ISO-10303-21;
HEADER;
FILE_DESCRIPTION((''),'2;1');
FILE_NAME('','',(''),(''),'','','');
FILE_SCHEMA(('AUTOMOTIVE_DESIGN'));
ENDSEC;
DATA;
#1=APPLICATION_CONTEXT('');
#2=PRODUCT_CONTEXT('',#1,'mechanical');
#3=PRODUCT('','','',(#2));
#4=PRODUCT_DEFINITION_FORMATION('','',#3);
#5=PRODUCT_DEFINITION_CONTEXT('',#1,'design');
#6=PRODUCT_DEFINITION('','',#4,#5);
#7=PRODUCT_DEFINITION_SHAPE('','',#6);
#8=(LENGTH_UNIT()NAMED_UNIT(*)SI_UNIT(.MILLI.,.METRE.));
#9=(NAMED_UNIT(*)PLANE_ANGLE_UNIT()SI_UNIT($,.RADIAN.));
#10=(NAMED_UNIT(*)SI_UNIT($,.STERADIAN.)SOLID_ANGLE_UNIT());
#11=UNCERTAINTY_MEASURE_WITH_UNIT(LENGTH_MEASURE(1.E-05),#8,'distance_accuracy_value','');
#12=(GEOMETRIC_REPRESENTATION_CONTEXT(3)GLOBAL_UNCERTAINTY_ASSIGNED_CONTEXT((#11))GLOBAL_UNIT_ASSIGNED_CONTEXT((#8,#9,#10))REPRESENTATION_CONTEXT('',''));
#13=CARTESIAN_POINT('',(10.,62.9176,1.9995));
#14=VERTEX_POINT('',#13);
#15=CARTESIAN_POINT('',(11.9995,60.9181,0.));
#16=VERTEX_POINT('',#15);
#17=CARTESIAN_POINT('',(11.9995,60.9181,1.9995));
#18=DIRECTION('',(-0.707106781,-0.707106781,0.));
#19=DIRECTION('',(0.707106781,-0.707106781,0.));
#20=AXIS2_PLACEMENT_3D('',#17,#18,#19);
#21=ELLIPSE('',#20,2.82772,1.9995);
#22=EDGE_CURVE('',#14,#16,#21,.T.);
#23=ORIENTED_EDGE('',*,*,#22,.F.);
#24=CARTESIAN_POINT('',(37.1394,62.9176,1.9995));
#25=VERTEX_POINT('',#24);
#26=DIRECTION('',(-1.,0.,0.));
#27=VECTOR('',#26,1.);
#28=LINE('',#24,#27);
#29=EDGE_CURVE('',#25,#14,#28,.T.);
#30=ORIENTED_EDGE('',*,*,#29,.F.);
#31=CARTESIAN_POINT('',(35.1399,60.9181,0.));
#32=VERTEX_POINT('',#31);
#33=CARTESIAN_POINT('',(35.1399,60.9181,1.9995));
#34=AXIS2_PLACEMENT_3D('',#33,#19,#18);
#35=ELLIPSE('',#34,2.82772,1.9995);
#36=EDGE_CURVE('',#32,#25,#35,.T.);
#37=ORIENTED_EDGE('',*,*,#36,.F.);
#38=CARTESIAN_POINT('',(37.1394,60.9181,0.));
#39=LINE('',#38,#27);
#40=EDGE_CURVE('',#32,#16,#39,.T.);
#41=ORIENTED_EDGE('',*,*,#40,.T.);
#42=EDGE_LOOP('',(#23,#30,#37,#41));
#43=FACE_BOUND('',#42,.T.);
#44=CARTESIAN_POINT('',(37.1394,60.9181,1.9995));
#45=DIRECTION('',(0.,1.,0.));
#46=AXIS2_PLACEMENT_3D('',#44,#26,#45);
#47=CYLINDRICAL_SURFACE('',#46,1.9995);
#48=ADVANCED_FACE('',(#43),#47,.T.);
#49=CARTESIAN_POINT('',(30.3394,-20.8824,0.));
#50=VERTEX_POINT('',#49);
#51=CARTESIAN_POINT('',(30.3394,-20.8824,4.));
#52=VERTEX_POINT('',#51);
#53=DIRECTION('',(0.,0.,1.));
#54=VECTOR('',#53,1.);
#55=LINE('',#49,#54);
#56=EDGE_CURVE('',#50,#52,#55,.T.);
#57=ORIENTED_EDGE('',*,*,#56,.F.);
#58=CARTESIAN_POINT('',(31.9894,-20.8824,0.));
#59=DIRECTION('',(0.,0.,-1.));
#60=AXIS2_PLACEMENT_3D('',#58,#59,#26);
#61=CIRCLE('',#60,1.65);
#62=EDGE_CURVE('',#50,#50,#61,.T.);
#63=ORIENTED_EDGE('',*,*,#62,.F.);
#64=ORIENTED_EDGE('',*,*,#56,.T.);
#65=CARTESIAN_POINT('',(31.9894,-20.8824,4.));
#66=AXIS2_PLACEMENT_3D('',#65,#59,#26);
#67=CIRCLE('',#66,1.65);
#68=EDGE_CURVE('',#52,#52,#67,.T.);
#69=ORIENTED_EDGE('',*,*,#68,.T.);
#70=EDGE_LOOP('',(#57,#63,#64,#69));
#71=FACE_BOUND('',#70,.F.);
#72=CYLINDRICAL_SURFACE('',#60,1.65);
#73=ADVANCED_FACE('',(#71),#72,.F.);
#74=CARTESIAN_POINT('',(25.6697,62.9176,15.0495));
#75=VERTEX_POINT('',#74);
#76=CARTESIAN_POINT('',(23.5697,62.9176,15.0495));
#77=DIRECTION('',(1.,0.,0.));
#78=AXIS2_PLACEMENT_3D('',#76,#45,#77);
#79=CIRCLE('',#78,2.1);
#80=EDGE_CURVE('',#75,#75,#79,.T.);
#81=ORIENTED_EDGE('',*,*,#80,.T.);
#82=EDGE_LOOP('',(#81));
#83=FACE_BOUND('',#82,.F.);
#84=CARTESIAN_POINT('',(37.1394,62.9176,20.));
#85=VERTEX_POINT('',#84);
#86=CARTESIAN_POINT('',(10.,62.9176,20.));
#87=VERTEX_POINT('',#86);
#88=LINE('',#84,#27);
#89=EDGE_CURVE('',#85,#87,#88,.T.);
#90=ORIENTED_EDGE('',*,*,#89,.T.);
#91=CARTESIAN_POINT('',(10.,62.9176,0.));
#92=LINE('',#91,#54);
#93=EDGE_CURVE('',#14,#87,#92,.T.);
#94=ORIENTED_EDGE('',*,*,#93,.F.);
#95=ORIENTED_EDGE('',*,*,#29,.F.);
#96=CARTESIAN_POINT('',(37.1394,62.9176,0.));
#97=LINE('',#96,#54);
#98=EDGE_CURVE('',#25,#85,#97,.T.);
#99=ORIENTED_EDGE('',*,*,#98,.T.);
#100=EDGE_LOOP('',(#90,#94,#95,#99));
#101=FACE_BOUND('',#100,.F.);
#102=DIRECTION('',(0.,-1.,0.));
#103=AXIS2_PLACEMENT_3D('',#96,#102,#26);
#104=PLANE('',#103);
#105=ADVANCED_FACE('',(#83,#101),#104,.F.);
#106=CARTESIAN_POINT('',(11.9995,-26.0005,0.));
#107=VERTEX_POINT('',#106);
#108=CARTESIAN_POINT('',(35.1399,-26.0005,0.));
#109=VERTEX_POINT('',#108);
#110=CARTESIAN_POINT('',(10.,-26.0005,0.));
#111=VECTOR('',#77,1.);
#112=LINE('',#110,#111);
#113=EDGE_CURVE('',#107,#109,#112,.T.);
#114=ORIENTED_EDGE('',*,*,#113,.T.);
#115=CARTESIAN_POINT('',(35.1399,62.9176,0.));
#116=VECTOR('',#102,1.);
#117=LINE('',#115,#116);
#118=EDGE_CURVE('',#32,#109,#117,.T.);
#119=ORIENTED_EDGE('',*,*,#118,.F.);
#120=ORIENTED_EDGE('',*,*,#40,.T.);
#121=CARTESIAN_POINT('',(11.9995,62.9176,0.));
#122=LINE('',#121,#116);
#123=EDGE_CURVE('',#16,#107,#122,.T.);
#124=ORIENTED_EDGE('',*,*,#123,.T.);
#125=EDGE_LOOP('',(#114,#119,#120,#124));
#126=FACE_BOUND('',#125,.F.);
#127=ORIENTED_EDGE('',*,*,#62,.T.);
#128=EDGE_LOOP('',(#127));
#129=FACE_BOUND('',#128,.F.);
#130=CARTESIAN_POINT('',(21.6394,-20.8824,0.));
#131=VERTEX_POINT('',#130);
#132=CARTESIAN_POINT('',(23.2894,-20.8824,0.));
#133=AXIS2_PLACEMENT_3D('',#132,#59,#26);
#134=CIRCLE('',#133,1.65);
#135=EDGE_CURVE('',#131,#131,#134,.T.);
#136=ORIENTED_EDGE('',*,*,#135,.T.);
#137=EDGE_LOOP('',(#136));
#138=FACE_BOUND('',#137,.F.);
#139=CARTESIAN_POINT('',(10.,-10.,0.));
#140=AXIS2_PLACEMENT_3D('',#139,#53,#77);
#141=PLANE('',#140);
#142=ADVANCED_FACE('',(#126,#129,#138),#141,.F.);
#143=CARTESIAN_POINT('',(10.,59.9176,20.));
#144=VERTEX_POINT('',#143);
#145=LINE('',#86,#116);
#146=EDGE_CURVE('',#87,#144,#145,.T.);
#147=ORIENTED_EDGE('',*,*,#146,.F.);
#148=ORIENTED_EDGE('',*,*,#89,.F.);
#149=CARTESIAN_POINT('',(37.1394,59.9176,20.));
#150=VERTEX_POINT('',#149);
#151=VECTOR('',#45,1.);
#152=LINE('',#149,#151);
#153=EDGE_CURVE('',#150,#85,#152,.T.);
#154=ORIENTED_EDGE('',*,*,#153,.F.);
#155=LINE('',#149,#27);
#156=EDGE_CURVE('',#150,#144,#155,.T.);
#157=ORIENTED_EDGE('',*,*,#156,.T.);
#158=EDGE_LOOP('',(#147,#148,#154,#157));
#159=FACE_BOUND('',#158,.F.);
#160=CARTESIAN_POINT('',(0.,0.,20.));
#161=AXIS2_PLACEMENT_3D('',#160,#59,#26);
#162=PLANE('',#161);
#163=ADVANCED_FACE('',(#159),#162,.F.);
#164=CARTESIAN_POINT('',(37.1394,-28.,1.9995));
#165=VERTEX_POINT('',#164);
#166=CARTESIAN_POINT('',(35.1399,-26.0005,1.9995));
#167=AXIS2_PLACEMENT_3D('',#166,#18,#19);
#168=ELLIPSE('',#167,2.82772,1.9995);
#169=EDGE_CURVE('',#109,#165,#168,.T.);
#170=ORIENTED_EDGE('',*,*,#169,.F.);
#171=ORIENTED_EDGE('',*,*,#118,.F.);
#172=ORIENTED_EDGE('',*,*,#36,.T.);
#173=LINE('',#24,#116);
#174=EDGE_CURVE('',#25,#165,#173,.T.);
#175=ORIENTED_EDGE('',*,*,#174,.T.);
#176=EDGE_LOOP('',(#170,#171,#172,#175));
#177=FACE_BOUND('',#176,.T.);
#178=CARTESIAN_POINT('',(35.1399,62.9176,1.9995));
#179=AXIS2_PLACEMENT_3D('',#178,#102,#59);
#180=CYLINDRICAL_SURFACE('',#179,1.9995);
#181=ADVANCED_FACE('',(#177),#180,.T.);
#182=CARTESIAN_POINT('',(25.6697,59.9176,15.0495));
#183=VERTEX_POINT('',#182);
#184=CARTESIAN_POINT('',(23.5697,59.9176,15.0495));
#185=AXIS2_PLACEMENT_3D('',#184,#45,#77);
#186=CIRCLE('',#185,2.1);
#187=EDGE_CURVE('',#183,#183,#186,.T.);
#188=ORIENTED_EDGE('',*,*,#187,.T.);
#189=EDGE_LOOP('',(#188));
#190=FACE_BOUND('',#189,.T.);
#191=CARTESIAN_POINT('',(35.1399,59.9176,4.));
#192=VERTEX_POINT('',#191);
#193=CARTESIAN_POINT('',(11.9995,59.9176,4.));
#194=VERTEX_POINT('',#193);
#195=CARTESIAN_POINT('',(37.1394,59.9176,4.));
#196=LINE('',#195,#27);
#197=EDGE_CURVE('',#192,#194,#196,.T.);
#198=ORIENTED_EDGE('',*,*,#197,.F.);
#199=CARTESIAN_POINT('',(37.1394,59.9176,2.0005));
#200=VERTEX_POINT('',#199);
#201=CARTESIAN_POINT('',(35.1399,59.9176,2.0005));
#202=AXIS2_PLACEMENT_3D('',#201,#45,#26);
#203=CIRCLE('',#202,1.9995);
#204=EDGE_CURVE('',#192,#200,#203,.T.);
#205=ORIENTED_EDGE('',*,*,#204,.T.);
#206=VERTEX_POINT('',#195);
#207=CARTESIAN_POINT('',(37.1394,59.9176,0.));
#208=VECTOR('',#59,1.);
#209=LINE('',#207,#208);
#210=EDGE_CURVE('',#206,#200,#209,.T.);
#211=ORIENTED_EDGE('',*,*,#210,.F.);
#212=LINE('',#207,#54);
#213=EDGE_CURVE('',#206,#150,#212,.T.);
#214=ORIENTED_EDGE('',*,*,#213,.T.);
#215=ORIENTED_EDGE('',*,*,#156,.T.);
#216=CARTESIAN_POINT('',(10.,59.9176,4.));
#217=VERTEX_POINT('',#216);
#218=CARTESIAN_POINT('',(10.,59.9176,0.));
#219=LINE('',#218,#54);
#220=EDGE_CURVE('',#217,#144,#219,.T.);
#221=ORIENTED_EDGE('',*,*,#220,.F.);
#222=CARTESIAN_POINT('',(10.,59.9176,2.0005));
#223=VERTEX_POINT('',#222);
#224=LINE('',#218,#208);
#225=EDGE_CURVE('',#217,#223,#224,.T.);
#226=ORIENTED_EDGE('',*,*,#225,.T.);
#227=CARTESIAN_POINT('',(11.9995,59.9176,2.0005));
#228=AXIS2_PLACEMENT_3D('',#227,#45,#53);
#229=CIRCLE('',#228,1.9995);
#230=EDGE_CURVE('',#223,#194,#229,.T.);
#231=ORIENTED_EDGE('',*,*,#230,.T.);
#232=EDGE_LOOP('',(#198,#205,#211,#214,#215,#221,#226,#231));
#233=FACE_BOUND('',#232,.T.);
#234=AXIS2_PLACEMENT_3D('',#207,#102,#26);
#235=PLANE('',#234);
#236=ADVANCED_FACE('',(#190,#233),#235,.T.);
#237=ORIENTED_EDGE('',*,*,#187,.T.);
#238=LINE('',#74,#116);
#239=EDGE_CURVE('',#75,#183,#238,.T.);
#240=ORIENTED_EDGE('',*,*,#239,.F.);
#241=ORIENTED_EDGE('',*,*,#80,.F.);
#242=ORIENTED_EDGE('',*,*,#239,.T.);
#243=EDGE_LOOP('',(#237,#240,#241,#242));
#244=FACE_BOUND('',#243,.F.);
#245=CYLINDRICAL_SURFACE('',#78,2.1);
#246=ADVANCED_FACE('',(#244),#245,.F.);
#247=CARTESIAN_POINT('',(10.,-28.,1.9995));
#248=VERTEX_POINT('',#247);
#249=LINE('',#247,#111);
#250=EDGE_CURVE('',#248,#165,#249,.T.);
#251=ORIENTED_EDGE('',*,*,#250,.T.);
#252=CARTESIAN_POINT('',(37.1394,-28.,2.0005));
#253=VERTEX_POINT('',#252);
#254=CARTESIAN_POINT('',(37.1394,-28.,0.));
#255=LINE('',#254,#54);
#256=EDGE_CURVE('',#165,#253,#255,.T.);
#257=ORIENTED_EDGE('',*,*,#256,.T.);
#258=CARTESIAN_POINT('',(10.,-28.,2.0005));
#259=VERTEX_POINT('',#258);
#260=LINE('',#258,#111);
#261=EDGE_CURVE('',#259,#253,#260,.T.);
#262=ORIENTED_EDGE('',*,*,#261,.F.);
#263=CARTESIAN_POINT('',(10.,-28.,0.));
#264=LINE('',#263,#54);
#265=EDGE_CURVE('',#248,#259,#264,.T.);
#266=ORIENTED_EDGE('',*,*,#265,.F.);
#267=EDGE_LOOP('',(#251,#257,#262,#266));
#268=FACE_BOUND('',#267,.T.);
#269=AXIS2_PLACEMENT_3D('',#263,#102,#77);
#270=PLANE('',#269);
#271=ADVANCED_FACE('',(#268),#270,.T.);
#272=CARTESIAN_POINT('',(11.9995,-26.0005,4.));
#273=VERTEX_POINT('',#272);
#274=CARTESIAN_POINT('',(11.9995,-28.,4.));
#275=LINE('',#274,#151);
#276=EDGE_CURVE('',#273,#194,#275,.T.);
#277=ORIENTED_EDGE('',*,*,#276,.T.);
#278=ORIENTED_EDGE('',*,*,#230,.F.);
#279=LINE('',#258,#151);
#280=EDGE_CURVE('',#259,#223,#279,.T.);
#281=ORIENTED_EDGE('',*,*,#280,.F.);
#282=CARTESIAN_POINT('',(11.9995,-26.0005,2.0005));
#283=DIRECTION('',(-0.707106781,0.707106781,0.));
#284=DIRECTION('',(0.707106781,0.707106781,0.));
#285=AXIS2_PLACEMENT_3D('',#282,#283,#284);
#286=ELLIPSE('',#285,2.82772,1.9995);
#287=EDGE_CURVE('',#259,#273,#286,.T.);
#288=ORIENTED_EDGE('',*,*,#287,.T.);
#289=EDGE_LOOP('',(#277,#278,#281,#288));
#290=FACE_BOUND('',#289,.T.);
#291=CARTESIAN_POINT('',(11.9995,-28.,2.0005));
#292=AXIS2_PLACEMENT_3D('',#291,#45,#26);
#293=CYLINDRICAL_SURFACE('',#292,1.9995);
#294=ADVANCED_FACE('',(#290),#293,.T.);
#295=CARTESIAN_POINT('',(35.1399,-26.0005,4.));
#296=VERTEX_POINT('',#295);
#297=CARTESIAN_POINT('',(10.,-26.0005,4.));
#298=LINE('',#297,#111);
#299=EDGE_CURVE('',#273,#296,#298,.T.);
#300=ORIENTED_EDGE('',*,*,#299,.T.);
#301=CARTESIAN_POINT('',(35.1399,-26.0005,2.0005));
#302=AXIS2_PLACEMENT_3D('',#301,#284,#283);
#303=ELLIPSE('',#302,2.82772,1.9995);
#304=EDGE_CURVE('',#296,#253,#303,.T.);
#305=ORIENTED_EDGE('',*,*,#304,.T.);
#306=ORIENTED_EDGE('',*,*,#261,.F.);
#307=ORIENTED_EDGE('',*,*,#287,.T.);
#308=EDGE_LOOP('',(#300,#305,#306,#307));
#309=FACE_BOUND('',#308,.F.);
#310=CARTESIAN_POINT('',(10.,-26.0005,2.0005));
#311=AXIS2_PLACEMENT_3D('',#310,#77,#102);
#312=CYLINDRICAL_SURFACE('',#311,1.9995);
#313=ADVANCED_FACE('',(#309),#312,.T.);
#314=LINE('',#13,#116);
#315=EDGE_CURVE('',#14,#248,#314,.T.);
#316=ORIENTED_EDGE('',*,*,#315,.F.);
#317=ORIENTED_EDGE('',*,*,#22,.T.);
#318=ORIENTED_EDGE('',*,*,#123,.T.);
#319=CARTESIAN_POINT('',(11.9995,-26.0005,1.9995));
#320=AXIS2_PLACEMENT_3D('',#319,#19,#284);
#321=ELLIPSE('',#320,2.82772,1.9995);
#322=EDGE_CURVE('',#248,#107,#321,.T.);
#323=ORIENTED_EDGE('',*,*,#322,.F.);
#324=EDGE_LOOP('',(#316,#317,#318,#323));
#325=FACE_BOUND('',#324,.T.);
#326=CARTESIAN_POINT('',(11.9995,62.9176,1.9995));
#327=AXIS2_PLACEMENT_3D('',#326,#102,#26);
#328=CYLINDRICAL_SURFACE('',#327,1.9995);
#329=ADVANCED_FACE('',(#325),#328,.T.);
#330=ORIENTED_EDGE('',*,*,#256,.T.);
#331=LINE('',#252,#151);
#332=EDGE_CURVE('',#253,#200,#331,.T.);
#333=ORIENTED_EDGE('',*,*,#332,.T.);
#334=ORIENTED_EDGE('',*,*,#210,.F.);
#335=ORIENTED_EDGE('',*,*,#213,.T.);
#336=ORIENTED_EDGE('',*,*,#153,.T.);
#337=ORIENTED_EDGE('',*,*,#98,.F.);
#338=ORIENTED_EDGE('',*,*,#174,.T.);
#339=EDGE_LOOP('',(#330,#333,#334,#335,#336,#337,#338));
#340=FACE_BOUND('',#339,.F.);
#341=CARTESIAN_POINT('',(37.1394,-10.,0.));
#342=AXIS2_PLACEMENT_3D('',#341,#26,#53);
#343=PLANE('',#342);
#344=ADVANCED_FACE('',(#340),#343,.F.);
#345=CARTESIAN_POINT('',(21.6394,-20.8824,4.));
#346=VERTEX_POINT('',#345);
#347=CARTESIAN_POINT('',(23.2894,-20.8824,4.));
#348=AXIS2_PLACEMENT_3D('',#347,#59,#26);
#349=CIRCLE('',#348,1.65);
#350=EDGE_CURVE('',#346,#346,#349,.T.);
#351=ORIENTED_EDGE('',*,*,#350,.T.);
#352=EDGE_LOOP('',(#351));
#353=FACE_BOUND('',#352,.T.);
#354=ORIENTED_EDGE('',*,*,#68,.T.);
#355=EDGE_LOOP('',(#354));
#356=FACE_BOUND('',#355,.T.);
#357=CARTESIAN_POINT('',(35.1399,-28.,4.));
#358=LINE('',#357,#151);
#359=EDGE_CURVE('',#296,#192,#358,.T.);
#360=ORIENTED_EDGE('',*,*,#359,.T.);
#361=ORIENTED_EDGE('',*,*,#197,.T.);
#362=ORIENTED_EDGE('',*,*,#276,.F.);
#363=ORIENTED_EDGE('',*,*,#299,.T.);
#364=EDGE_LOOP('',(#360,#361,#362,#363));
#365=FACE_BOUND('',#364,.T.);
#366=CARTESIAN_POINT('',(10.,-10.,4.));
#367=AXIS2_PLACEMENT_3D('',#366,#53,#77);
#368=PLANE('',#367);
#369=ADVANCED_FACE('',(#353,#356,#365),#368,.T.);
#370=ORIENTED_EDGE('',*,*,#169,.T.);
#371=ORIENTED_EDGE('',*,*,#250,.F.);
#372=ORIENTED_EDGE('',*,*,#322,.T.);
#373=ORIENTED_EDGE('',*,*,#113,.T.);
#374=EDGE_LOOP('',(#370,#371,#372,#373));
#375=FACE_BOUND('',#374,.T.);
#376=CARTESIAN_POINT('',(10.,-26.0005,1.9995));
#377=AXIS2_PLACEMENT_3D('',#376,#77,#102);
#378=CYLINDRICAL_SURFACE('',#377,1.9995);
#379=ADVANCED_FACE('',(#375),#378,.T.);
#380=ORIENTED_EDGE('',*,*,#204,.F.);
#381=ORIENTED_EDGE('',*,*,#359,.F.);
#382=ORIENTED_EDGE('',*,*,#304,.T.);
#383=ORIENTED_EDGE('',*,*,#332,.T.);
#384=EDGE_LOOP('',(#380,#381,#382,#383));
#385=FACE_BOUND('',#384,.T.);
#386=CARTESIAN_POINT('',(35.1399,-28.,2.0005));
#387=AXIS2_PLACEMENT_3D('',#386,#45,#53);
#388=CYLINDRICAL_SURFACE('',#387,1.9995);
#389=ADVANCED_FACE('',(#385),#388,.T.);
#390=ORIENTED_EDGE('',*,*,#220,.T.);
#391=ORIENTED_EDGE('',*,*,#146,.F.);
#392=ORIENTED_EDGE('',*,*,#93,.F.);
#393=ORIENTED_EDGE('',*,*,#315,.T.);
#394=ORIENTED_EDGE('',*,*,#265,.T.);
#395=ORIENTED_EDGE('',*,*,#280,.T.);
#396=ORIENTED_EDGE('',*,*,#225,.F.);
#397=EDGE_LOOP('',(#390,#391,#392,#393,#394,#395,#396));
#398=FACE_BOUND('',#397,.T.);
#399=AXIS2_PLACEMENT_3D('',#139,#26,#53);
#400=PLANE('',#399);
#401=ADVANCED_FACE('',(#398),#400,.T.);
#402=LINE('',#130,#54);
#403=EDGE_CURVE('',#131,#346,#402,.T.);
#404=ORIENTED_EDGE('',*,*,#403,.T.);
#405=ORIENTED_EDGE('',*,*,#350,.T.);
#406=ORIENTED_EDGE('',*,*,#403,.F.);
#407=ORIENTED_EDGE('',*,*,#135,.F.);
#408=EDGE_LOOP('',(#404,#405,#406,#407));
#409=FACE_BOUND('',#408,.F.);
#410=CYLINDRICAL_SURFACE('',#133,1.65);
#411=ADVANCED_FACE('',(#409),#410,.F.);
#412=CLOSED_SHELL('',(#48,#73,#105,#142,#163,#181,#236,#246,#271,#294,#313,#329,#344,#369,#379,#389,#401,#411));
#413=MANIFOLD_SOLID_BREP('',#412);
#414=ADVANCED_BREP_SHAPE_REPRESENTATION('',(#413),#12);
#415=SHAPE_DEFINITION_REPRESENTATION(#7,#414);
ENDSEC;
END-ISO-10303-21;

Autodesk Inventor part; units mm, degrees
ref_plane "YZ Plane" through (0, 0, 0) normal (1, 0, 0) x (0, 1, 0)
ref_plane "XZ Plane" through (0, 0, 0) normal (0, 1, 0) x (-1, 0, 0)
ref_plane "XY Plane" through (0, 0, 0) normal (0, 0, 1) x (1, 0, 0)
sketch "Skizze1" plane through (0, 0, 0) normal (0, 0, 1) x (1, 0, 0)
  line L0 (10, 15) -> (45.7133, 15) construction
  line L1 (10, 15) -> (10, -10) construction
  line L2 (37.1394, -10) -> (10, -10) construction
  line L3 (37.1394, -10) -> (37.1394, 14.1) construction
  line L4 (37.1394, 14.1) -> (45.7133, 14.1) construction
  line L5 (45.7133, 14.1) -> (45.7133, 15) construction
  line L6 (10, -10) -> (37.1394, -10)
  line L7 (37.1394, -10) -> (37.1394, 59.9176)
  line L8 (37.1394, 59.9176) -> (10, 59.9176)
  line L9 (10, 59.9176) -> (10, -10)
  point P0 (0, 0)
extrude "Extrusion1" add sketch "Skizze1" along normal blind 4
sketch "Skizze2" plane through (0, 0, 0) normal (0, 0, -1) x (-1, 0, 0)
  line L0 (-37.1394, 59.9176) -> (-10, 59.9176) projected
  line L1 (-10, 59.9176) -> (-37.1394, 59.9176)
  line L2 (-37.1394, 59.9176) -> (-37.1394, 62.9176)
  line L3 (-37.1394, 62.9176) -> (-10, 62.9176)
  line L4 (-10, 62.9176) -> (-10, 59.9176)
  point P0 (0, 0)
  dimension "d2" = 3
extrude "Extrusion2" add sketch "Skizze2" against normal blind 20
sketch "Skizze4" plane through (10, 62.9176, 0) normal (0, 1, 0) x (1, 0, 0)
  line L0 (27.1394, -4) -> (27.1394, -73.6709) construction
  line L1 (-71.0464, -73.5081) -> (53.1741, -73.5081) construction
  line L2 (53.1741, -72.4315) -> (53.1741, -73.5081) construction
  arc A0 (58.1741, -67.4315) -> (53.1741, -72.4315) centre (58.1741, -72.4315) ccw construction
  line L3 (62.2394, -67.4315) -> (58.1741, -67.4315) construction
  line L4 (62.2394, -59.1955) -> (62.2394, -67.4315) construction
  arc A1 (65.5394, -59.1955) -> (62.2394, -59.1955) centre (63.8894, -59.1955) ccw construction
  line L5 (65.5394, -67.4315) -> (65.5394, -59.1955) construction
  line L6 (81.2394, -67.4315) -> (65.5394, -67.4315) construction
  arc A2 (76.4341, -48.82) -> (81.2394, -67.4315) centre (125.2788, -46.1349) ccw construction
  arc A3 (76.4267, -48.4999) -> (76.4341, -48.82) centre (81.4265, -48.5455) ccw construction
  arc A4 (76.4267, -48.4999) -> (35.4184, -9) centre (29.7163, -55.9569) ccw construction
  line L7 (35.4184, -9) -> (-5, -9) construction
  line L8 (-5, -9) -> (-5, 9.9226) construction
  line L9 (-5, 9.9226) -> (-10, 9.9226) construction
  line L10 (-10, 9.9226) -> (-10, 9.9096) construction
  line L11 (-10, 9.9096) -> (-37.7867, 9.9096) construction
  arc A5 (-37.7867, 9.9096) -> (-54.9732, -24.6463) centre (-14.5965, -23.176) ccw construction
  arc A6 (-54.9732, -24.6463) -> (-71.0464, -73.5081) centre (23.4557, -77.5201) ccw construction
  arc A7 (-40.4634, -62.3724) -> (-28.4634, -62.3724) centre (-34.4634, -62.3724) ccw construction
  line L12 (-40.4634, -62.3724) -> (-40.4634, -47.5724) construction
  arc A8 (-28.4634, -47.5724) -> (-40.4634, -47.5724) centre (-34.4634, -47.5724) ccw construction
  line L13 (-28.4634, -47.5724) -> (-28.4634, -62.3724) construction
  arc A9 (-40.4634, -16.9802) -> (-28.4634, -16.9802) centre (-34.4634, -16.9802) ccw construction
  line L14 (-40.4634, -16.9802) -> (-40.4634, -2.1802) construction
  arc A10 (-28.4634, -2.1802) -> (-40.4634, -2.1802) centre (-34.4634, -2.1802) ccw construction
  line L15 (-28.4634, -2.1802) -> (-28.4634, -16.9802) construction
  line L16 (37.2394, -63.0832) -> (59.5394, -63.0832) construction
  line L17 (37.2394, -34.3078) -> (37.2394, -63.0832) construction
  arc A11 (59.5394, -34.3078) -> (37.2394, -34.3078) centre (48.3894, -34.3078) ccw construction
  line L18 (59.5394, -63.0832) -> (59.5394, -34.3078) construction
  arc A12 (62.2394, -38.1955) -> (65.5394, -38.1955) centre (63.8894, -38.1955) ccw construction
  line L19 (62.2394, -28.1955) -> (62.2394, -38.1955) construction
  arc A13 (65.5394, -28.1955) -> (62.2394, -28.1955) centre (63.8894, -28.1955) ccw construction
  line L20 (65.5394, -38.1955) -> (65.5394, -28.1955) construction
  arc A14 (34.5394, -59.1955) -> (31.2394, -59.1955) centre (32.8894, -59.1955) ccw construction
  line L21 (34.5394, -67.4315) -> (34.5394, -59.1955) construction
  line L22 (31.2394, -67.4315) -> (34.5394, -67.4315) construction
  line L23 (31.2394, -59.1955) -> (31.2394, -67.4315) construction
  arc A15 (31.2394, -38.1955) -> (34.5394, -38.1955) centre (32.8894, -38.1955) ccw construction
  line L24 (31.2394, -28.1955) -> (31.2394, -38.1955) construction
  arc A16 (34.5394, -28.1955) -> (31.2394, -28.1955) centre (32.8894, -28.1955) ccw construction
  line L25 (34.5394, -38.1955) -> (34.5394, -28.1955) construction
  line L26 (0, -4) -> (0, -78.5081) construction
  line L27 (27.1394, -20) -> (0, -20) construction
  circle A17 centre (13.5697, -15.0495) radius 2.1
  point P0 (-10, 0)
  dimension "d11" = 4.2
extrude "Extrusion4" cut sketch "Skizze4" against normal through all
sketch "Skizze5" plane through (10, -10, 0) normal (0, -1, 0) x (1, 0, 0)
  line L0 (0, 0) -> (27.1394, 0) projected
  line L1 (27.1394, 0) -> (27.1394, 4) projected
  line L2 (0, 4) -> (27.1394, 4) projected
  line L3 (0, 0) -> (0, 4) projected
  point P0 (-10, 0)
extrude "Extrusion5" add sketch "Skizze5" along normal blind 18
sketch "Skizze6" plane through (0, 0, 0) normal (0, 0, -1) x (-1, 0, 0)
  arc A0 (-23.2894, -22.5324) -> (-23.2894, -19.2324) centre (-23.2894, -20.8824) ccw construction
  arc A1 (-31.9894, -19.2324) -> (-31.9894, -22.5324) centre (-31.9894, -20.8824) ccw construction
  circle A2 centre (-31.9894, -20.8824) radius 1.65
  circle A3 centre (-23.2894, -20.8824) radius 1.65
  point P0 (0, 0)
extrude "Extrusion6" cut sketch "Skizze6" against normal through all
fillet "Rundung3" radius 2 7 edges at (37.1394, 17.4588, 0) (23.5697, -28, 0) (10, 17.4588, 0) (37.1394, 15.9588, 4) (23.5697, -28, 4) (23.5697, 62.9176, 0) (10, 15.9588, 4)
properties part number "Chain_fixture"
